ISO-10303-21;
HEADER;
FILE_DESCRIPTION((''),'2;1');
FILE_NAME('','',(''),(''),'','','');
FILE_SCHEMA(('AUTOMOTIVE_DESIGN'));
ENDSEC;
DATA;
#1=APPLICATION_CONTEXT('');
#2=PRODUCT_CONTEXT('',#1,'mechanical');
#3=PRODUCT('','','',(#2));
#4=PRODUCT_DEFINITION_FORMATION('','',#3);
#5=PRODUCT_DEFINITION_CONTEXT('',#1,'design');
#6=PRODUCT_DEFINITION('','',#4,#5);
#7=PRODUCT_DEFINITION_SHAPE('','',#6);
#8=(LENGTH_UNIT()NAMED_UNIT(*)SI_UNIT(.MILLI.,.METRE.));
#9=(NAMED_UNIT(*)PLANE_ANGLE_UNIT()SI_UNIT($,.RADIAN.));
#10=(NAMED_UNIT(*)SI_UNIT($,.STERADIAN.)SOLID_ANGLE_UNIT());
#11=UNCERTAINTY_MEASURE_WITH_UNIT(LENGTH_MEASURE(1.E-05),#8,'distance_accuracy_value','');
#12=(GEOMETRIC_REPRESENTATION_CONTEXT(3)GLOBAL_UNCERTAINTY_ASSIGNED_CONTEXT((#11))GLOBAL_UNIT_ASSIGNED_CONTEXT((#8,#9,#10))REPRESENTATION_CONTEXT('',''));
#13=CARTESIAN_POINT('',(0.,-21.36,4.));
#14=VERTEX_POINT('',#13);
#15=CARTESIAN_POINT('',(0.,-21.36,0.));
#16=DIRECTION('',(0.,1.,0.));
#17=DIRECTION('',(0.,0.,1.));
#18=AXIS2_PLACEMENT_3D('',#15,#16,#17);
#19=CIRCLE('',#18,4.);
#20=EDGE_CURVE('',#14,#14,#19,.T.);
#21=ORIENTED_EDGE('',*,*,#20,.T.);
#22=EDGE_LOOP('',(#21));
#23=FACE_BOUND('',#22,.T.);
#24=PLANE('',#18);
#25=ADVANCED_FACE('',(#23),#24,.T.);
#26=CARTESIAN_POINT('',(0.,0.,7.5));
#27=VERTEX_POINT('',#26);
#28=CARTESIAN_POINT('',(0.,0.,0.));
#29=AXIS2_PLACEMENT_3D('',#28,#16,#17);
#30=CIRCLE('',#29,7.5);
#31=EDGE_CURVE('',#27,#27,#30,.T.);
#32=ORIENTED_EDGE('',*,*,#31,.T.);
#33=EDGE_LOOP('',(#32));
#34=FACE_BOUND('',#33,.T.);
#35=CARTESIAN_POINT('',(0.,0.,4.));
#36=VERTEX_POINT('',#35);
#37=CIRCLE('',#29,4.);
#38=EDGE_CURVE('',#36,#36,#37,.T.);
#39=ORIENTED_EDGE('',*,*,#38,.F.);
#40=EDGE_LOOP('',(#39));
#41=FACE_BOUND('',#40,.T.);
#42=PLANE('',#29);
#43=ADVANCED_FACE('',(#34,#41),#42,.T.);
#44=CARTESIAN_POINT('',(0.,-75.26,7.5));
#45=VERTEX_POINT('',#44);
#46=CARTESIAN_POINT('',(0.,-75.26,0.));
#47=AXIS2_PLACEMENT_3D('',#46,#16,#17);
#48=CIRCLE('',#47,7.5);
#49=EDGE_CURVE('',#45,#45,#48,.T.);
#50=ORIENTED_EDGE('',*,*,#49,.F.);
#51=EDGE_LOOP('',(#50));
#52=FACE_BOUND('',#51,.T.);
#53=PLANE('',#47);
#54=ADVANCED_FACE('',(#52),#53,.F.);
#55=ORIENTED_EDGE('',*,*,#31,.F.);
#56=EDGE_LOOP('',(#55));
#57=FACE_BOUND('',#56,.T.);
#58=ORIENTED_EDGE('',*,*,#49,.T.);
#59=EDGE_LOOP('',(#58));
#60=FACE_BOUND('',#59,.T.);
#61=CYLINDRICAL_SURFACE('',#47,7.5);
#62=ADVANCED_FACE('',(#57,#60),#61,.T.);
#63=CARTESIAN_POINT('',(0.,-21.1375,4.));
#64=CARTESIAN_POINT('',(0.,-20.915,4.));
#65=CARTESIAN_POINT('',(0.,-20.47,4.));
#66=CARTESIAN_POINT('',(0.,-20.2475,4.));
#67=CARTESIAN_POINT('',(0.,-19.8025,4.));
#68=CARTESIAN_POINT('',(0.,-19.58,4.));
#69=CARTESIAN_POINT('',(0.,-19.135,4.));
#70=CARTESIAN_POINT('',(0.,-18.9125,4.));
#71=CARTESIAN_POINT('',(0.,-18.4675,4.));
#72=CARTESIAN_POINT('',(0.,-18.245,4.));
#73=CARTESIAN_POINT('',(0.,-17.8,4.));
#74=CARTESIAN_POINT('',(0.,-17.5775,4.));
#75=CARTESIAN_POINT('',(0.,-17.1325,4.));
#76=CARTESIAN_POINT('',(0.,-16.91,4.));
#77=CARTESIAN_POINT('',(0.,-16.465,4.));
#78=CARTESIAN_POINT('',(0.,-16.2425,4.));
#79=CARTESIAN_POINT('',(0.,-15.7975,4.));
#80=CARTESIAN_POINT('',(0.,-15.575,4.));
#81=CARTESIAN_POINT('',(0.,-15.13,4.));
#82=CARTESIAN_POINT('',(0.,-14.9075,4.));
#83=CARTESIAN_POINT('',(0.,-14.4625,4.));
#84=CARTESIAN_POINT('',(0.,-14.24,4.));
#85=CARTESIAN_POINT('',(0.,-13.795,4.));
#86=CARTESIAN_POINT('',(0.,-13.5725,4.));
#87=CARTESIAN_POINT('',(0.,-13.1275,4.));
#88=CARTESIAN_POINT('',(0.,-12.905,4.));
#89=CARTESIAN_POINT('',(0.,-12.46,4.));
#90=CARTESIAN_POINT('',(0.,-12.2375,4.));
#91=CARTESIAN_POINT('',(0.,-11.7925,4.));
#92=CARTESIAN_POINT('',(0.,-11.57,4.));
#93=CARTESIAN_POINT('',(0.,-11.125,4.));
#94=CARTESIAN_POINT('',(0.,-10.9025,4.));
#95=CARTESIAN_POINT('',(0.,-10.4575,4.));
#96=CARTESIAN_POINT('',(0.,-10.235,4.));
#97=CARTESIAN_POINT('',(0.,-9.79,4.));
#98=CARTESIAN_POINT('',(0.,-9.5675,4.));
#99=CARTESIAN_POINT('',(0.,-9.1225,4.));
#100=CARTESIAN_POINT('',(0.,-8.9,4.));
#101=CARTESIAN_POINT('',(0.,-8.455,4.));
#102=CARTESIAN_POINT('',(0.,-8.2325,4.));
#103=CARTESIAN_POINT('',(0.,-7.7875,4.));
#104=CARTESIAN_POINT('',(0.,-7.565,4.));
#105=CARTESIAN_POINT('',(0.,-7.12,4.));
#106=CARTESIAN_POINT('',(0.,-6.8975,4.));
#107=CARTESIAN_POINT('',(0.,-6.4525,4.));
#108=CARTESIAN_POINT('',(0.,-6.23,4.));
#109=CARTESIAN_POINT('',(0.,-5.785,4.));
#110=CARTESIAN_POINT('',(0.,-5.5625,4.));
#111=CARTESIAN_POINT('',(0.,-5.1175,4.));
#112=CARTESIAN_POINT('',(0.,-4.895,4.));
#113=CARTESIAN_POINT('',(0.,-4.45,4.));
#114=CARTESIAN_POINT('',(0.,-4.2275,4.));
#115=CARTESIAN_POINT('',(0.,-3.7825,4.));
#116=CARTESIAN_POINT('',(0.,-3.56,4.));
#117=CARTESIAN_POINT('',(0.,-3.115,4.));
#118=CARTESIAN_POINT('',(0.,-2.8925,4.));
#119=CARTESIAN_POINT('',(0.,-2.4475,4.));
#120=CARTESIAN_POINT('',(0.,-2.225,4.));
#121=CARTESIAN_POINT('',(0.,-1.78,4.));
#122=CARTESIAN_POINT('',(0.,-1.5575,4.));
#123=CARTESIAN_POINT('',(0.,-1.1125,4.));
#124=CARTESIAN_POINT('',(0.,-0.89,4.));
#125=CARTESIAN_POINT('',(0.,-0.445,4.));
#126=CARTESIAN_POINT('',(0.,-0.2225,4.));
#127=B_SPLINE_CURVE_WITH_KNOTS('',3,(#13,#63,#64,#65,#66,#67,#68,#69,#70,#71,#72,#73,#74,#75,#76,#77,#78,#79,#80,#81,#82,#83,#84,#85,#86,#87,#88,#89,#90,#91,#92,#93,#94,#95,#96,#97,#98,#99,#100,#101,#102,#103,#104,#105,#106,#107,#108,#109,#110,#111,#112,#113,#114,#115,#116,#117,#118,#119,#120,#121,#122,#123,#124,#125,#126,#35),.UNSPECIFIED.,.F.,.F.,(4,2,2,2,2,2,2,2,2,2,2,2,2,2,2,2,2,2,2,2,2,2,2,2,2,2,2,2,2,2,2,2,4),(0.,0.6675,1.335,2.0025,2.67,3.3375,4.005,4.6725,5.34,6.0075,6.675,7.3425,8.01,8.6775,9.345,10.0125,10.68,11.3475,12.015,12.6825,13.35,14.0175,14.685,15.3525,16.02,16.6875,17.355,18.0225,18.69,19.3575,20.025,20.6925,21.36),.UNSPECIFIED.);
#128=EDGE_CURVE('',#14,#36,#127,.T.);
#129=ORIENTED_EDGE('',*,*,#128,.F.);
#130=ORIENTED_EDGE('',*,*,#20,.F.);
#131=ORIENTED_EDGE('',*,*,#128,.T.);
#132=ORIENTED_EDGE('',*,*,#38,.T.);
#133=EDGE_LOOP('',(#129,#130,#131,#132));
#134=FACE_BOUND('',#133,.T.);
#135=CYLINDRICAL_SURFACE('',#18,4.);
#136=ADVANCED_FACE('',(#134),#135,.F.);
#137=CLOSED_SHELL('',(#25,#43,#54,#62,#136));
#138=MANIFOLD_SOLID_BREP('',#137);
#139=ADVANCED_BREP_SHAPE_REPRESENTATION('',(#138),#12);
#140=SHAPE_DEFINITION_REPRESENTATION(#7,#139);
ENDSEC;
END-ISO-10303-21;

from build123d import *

# Parameters (mm, degrees)
SKETCH_1_R          = 7.5
EXTRUDE_1_DEPTH     = 75.26
SKETCH_3_R          = 4
CUT_EXTRUDE_1_DEPTH = 21.36


with BuildPart() as part:
    # 스케치1 → 보스-돌출1 (new body)
    with BuildSketch(Plane(origin=(0, 0, 0), x_dir=(1, 0, 0), z_dir=(0, 1, 0))):
        with Locations(Location((0, 0, 0), (0, 0, 270))):
            Circle(SKETCH_1_R)
    extrude(amount=-EXTRUDE_1_DEPTH)

    # 스케치3 → 컷-돌출1 (cut)
    with BuildSketch(Plane(origin=(0, 0, 0), x_dir=(1, 0, 0), z_dir=(0, 1, 0))):
        with Locations(Location((0, 0, 0), (0, 0, 270))):
            Circle(SKETCH_3_R)
    extrude(amount=-CUT_EXTRUDE_1_DEPTH, mode=Mode.SUBTRACT)


solid = part.part
